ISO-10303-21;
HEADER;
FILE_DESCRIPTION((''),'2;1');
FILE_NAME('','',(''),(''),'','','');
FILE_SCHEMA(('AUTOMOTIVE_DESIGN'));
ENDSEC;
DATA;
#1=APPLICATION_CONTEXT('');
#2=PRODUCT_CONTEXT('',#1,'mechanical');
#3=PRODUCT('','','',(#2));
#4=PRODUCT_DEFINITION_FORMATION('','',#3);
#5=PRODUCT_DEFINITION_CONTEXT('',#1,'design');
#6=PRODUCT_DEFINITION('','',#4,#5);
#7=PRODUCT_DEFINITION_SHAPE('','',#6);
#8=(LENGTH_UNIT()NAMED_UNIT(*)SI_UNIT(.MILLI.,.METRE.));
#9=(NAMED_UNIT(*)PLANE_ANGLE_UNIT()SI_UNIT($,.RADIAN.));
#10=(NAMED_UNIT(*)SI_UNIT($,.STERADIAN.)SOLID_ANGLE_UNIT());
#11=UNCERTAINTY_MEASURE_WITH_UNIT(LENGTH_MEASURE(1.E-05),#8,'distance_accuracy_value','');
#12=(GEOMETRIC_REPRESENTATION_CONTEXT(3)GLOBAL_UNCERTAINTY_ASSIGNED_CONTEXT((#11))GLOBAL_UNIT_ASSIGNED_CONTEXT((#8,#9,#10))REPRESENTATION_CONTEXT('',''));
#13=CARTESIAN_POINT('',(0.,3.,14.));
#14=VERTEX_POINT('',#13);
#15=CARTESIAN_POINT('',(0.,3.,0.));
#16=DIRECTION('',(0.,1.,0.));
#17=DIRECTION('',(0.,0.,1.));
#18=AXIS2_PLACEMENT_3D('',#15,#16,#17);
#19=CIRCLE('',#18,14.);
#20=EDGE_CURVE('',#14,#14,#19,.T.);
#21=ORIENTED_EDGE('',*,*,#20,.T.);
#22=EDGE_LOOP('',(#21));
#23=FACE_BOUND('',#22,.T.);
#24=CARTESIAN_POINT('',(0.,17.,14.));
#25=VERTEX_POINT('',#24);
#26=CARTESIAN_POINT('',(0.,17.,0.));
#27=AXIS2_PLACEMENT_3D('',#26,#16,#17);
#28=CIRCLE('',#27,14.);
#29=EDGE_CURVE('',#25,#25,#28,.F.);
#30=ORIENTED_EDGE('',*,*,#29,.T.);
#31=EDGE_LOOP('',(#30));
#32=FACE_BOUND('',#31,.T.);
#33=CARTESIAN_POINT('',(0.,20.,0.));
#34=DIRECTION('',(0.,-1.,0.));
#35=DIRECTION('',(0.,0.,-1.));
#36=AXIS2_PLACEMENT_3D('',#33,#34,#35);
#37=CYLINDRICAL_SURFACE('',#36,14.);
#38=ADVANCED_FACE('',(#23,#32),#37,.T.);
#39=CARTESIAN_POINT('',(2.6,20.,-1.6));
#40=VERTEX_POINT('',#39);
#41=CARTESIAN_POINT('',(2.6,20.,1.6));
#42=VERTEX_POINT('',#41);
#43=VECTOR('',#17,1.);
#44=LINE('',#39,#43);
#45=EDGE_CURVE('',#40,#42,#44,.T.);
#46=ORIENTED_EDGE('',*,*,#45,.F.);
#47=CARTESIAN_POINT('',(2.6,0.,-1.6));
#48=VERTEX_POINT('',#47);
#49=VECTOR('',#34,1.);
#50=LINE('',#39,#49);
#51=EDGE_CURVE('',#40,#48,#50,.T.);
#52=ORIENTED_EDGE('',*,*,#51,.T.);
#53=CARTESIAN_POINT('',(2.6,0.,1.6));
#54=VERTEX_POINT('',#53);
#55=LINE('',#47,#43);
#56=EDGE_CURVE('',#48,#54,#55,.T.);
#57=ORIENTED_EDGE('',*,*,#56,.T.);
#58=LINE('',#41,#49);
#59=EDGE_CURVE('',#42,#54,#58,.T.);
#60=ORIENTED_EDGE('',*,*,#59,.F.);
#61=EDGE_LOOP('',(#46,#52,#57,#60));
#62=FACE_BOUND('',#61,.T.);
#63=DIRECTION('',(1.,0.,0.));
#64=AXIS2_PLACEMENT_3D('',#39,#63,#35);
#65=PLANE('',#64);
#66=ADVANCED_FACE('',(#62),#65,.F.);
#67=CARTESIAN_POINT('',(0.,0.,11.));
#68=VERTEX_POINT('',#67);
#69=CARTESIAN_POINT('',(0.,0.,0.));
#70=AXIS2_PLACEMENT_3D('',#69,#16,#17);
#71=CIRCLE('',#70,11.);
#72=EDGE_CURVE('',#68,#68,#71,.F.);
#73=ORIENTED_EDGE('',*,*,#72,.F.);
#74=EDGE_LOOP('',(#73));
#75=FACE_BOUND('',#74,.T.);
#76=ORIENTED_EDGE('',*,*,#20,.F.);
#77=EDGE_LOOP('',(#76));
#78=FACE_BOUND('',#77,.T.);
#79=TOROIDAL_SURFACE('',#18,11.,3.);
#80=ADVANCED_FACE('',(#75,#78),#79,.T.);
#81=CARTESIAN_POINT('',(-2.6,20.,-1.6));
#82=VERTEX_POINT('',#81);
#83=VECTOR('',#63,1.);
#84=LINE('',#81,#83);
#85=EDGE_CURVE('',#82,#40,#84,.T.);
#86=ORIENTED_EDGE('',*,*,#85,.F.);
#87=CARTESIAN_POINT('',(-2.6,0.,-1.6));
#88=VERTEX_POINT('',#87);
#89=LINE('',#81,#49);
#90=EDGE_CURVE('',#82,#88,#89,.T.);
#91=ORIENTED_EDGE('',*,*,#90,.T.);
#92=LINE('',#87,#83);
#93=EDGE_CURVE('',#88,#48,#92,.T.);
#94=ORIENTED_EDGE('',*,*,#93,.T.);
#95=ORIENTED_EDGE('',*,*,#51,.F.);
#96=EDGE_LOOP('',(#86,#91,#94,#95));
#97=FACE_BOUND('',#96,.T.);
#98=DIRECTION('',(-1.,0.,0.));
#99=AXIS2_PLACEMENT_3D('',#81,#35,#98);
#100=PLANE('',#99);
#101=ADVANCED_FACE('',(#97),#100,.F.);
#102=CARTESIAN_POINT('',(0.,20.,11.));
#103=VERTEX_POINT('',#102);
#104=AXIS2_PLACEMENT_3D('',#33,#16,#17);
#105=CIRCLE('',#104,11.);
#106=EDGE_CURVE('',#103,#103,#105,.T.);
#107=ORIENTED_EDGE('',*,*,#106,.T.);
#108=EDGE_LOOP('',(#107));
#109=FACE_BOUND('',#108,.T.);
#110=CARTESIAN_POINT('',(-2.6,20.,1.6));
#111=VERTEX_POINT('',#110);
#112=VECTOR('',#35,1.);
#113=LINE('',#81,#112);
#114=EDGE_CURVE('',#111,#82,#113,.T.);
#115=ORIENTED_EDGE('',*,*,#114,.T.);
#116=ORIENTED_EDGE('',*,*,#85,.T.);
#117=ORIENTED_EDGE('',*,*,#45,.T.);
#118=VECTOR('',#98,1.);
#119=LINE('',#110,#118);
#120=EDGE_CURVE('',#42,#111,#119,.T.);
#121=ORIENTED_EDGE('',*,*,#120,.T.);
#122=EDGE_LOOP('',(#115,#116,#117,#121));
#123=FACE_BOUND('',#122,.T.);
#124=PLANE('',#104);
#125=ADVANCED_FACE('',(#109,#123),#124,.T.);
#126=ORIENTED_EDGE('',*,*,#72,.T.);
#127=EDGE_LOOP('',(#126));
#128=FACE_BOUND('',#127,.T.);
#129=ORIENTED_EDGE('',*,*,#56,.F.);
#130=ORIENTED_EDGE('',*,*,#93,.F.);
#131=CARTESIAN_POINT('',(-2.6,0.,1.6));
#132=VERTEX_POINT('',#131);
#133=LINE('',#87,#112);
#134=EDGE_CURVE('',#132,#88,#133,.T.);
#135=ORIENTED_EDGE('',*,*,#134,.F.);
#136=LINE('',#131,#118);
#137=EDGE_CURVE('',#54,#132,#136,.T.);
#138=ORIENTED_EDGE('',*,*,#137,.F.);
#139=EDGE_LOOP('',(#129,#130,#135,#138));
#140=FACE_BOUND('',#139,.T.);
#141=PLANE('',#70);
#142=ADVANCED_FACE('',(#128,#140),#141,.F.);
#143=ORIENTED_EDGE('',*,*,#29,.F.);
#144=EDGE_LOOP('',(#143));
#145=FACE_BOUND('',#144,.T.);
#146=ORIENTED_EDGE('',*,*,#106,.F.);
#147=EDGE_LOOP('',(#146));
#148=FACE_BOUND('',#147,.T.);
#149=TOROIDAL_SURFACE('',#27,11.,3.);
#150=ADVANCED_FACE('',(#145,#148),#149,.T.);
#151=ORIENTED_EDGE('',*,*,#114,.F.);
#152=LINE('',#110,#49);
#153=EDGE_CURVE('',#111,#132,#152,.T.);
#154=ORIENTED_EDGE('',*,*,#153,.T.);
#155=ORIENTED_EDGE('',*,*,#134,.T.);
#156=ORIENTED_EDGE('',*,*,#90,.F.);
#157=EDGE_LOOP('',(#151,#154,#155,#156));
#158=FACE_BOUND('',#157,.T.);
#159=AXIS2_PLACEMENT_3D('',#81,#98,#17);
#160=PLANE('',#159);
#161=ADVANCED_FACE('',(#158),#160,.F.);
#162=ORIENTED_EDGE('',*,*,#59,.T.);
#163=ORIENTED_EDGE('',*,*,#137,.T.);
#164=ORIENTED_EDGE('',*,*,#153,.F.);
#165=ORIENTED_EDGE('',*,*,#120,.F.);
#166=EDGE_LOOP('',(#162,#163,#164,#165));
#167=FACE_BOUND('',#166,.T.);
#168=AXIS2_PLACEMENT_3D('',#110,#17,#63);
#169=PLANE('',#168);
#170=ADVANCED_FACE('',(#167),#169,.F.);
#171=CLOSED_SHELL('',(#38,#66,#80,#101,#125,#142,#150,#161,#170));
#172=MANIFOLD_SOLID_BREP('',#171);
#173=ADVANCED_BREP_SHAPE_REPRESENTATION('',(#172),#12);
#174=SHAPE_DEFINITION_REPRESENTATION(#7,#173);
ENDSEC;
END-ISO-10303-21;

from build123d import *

# Parameters (mm, degrees)
SKETCH2_R           = 14
BOSS_EXTRUDE1_DEPTH = 20
FILLET1_R           = 3
SKETCH3_W           = 5.2
SKETCH3_H           = 3.2
CUT_EXTRUDE1_DEPTH  = 21


with BuildPart() as part:
    # Sketch2 → Boss-Extrude1 (new body)
    with BuildSketch(Plane(origin=(0, 0, 0), x_dir=(1, 0, 0), z_dir=(0, 1, 0))):
        Circle(SKETCH2_R)
    extrude(amount=BOSS_EXTRUDE1_DEPTH)

    # Fillet1
    fillet1_edges = [part.edges().sort_by_distance(p)[0] for p in [
        (-14, 0, 0),
        (-14, 20, 0),
    ]]
    fillet(fillet1_edges, radius=FILLET1_R)

    # Sketch3 → Cut-Extrude1 (cut, through all)
    with BuildSketch(Plane.XZ):
        Rectangle(SKETCH3_W, SKETCH3_H)
    extrude(amount=-CUT_EXTRUDE1_DEPTH, mode=Mode.SUBTRACT)


solid = part.part
